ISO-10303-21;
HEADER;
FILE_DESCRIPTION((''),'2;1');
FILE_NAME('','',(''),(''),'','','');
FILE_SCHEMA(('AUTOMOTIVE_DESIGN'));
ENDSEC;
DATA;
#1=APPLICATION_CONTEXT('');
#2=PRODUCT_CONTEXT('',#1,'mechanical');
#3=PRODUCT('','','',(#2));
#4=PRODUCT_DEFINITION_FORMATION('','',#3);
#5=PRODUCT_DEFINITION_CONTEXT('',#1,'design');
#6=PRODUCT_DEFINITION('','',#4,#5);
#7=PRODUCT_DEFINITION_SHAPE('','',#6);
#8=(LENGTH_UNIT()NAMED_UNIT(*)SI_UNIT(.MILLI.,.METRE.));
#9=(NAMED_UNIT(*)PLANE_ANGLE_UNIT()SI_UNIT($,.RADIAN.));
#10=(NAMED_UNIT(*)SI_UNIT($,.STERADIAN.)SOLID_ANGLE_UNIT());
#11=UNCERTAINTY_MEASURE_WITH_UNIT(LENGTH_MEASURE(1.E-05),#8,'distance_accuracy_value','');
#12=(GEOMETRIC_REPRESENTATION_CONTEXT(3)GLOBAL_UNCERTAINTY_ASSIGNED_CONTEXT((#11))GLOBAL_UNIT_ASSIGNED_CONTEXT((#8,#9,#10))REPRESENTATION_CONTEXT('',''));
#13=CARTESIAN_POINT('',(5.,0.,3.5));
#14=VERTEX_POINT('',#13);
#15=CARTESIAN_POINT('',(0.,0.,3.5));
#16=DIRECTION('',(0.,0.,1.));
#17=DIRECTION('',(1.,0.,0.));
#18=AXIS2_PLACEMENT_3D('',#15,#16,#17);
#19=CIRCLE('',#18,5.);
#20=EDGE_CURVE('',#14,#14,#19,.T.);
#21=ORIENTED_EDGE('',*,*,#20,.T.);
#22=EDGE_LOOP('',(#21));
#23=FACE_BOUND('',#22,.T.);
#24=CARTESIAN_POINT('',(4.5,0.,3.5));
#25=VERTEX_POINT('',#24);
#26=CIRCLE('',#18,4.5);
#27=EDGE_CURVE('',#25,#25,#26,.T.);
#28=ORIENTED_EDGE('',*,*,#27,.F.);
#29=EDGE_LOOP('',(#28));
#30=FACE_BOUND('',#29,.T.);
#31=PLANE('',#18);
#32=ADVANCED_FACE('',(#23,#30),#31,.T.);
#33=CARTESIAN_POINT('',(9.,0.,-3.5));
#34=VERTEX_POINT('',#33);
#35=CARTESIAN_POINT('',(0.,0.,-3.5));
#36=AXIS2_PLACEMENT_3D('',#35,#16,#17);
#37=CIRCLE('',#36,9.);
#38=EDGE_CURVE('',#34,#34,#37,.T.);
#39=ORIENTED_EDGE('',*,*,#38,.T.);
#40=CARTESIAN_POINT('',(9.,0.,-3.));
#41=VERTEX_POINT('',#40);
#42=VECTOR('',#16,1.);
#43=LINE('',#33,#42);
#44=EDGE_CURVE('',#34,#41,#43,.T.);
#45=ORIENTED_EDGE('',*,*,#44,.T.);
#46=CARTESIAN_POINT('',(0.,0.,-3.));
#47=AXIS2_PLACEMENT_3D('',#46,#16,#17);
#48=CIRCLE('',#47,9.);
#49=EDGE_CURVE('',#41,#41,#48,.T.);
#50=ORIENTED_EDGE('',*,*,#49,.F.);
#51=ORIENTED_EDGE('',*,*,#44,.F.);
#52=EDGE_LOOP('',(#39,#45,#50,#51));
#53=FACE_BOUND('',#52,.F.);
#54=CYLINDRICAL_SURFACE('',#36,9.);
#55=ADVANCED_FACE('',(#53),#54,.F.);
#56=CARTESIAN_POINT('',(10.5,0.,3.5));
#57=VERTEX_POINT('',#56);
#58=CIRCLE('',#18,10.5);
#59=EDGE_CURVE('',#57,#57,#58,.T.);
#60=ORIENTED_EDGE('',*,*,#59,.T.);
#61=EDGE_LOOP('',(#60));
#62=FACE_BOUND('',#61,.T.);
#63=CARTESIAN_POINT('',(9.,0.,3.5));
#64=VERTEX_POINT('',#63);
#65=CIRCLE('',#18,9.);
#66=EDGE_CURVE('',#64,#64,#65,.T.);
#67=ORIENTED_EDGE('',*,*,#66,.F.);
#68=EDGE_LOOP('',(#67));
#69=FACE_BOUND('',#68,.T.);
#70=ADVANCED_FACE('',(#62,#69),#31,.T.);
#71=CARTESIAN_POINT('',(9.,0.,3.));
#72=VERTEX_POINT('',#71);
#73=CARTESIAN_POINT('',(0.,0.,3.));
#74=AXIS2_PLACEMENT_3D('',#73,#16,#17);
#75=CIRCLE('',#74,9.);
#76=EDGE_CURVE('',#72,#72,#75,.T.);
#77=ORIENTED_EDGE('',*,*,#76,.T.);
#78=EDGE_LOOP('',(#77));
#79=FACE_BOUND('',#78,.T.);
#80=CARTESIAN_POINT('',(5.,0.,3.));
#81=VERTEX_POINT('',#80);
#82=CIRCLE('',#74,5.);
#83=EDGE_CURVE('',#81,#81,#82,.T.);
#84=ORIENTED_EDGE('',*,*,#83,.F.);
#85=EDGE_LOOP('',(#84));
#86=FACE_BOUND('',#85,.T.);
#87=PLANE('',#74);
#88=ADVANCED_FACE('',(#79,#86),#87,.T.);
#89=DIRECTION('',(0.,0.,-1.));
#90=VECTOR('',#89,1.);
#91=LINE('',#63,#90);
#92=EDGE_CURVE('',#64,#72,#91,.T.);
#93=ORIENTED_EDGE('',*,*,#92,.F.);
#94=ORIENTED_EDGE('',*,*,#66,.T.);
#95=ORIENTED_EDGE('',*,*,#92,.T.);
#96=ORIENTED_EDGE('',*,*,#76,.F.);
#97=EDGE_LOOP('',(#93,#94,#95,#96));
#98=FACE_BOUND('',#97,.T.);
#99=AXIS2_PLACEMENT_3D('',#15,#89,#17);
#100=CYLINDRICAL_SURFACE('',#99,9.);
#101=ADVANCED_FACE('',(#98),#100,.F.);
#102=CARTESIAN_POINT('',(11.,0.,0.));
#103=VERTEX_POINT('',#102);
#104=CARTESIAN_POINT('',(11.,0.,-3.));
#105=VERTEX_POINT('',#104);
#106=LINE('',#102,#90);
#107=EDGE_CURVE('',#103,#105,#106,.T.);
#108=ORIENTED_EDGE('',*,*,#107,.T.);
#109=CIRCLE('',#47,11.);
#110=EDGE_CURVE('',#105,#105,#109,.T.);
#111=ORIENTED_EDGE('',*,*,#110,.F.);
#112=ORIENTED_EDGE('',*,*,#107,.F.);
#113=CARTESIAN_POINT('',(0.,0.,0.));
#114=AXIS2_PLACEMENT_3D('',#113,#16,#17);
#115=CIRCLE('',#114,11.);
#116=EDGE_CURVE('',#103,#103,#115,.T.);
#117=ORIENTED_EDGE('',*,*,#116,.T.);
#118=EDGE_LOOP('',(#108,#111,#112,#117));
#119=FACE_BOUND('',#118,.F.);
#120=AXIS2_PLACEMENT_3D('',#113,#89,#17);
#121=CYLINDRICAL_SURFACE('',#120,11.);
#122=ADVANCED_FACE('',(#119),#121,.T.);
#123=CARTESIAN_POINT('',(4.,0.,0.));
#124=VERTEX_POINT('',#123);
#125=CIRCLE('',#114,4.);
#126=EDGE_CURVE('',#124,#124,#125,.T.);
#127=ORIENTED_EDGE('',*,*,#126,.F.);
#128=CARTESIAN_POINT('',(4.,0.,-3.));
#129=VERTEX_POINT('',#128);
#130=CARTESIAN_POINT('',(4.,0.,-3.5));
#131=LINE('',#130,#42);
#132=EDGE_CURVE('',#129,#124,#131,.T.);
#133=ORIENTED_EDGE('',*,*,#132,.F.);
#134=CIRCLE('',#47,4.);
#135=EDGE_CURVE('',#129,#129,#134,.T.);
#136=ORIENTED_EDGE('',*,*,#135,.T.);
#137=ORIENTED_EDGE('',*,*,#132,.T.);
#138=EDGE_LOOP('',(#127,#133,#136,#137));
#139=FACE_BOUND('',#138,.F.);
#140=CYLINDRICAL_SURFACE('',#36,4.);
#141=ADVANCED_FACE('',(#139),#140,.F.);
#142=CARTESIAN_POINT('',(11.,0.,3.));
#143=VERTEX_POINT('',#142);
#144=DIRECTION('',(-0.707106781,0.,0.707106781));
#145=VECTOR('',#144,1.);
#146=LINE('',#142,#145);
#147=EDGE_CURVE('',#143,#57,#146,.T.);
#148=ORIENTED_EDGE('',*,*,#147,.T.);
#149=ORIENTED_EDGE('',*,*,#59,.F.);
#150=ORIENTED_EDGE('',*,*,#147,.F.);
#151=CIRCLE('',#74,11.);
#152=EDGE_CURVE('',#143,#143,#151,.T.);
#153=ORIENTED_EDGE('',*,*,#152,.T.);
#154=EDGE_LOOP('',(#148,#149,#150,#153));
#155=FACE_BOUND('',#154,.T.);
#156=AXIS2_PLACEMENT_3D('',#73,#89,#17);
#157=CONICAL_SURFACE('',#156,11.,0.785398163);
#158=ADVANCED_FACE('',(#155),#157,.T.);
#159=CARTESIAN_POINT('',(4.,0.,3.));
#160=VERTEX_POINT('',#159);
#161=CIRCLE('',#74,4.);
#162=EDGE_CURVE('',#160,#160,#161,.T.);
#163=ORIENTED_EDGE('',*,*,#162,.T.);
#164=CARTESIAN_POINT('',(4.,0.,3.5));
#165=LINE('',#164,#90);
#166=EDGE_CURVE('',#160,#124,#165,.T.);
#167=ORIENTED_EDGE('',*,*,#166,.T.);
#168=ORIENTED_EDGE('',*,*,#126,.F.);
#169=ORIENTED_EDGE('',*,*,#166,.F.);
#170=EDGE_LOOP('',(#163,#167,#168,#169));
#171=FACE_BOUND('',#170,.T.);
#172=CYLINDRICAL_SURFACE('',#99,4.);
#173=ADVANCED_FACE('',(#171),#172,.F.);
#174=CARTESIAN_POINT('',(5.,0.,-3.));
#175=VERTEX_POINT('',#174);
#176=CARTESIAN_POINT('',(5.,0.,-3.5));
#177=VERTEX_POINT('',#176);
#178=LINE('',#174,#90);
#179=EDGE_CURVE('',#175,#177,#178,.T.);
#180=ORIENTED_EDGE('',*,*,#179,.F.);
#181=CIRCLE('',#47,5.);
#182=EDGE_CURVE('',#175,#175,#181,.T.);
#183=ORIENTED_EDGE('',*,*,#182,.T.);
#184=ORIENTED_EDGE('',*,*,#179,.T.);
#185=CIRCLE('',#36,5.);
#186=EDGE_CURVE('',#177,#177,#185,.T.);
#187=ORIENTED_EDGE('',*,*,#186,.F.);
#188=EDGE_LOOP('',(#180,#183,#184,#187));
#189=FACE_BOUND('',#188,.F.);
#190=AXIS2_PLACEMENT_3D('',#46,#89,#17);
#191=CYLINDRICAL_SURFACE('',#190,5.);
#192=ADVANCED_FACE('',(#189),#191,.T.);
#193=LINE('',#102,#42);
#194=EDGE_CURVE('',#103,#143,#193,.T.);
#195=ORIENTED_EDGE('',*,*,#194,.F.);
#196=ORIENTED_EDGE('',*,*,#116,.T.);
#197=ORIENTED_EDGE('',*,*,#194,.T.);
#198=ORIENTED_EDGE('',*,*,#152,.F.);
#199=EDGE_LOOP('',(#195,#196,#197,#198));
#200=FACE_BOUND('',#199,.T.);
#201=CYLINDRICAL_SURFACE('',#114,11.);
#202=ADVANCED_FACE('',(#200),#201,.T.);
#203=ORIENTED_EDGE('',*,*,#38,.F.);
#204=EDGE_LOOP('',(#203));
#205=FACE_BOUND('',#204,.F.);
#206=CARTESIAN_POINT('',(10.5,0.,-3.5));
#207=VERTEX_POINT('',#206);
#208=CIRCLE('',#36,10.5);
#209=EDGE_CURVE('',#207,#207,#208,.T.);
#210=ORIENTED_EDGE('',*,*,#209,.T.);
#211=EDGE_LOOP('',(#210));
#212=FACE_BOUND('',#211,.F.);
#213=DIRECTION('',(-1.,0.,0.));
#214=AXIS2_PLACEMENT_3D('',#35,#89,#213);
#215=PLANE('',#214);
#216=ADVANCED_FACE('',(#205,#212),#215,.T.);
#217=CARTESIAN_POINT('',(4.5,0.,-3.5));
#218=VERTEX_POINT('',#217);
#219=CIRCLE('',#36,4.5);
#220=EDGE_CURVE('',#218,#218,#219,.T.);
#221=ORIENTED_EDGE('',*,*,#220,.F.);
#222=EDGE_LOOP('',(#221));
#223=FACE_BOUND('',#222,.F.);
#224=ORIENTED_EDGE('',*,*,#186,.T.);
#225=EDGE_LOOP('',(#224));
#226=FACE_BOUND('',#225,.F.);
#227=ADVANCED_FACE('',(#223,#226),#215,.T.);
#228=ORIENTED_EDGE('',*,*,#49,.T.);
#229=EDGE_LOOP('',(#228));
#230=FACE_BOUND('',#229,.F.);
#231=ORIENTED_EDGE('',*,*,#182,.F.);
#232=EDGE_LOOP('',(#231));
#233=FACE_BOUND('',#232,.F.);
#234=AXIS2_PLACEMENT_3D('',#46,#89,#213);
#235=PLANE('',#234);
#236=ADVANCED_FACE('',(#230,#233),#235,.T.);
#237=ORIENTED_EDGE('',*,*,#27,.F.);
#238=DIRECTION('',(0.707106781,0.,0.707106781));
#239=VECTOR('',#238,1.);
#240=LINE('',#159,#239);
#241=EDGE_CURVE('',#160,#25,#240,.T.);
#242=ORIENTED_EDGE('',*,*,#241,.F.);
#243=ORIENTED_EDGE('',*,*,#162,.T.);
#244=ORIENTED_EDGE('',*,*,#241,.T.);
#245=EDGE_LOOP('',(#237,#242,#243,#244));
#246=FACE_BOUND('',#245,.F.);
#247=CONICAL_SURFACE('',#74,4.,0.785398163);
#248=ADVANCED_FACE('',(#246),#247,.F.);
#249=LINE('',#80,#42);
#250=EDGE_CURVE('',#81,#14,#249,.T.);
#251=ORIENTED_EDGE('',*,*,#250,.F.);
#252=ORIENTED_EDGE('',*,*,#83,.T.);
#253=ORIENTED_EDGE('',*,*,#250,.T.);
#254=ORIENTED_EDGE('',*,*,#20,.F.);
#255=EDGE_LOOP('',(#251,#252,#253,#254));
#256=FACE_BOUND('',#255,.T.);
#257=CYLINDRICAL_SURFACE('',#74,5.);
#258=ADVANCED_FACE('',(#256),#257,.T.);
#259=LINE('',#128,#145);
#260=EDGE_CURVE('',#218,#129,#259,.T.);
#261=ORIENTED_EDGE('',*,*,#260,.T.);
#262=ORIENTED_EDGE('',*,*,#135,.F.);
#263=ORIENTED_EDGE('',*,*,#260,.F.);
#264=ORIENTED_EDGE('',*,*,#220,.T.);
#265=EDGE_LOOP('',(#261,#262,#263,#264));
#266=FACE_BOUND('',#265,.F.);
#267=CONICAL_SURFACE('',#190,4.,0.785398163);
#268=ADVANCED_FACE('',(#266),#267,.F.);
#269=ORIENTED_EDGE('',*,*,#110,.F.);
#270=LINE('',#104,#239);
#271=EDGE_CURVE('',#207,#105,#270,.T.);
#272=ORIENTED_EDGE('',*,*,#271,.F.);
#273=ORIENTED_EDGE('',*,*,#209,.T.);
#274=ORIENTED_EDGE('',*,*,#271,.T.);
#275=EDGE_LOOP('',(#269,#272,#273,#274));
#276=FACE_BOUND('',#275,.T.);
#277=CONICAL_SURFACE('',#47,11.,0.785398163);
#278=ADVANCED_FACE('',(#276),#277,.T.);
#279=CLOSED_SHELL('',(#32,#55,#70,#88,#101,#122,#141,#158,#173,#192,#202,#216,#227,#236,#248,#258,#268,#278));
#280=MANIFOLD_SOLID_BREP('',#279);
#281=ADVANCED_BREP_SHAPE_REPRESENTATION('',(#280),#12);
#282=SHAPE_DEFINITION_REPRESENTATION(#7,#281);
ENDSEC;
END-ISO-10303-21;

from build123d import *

# Parameters (mm, degrees)
F3_SIZE = 0.5


with BuildPart() as f1:
    # F0 (on Front) → F1 (revolve)
    with BuildSketch(Plane.XZ):
        Polygon((5, 3.5), (4, 3.5), (4, 0), (11, 0), (11, 3.5), (9, 3.5), (9, 3), (5, 3), align=None)
    revolve(axis=Axis((0, 0, 3.124244744), (0, 0, 1)))

    # F2: F1 across plane


with BuildPart() as f1_1:
    add(f1.part)
    add(f1.part.mirror(Plane.XY))

    # F3
    f3_edges = [f1_1.edges().sort_by_distance(p)[0] for p in [
        (-11, 0, 3.5),
        (-11, 0, -3.5),
        (-4, 0, 3.5),
        (-4, 0, -3.5),
    ]]
    chamfer(f3_edges, length=F3_SIZE)


solid = f1_1.part
